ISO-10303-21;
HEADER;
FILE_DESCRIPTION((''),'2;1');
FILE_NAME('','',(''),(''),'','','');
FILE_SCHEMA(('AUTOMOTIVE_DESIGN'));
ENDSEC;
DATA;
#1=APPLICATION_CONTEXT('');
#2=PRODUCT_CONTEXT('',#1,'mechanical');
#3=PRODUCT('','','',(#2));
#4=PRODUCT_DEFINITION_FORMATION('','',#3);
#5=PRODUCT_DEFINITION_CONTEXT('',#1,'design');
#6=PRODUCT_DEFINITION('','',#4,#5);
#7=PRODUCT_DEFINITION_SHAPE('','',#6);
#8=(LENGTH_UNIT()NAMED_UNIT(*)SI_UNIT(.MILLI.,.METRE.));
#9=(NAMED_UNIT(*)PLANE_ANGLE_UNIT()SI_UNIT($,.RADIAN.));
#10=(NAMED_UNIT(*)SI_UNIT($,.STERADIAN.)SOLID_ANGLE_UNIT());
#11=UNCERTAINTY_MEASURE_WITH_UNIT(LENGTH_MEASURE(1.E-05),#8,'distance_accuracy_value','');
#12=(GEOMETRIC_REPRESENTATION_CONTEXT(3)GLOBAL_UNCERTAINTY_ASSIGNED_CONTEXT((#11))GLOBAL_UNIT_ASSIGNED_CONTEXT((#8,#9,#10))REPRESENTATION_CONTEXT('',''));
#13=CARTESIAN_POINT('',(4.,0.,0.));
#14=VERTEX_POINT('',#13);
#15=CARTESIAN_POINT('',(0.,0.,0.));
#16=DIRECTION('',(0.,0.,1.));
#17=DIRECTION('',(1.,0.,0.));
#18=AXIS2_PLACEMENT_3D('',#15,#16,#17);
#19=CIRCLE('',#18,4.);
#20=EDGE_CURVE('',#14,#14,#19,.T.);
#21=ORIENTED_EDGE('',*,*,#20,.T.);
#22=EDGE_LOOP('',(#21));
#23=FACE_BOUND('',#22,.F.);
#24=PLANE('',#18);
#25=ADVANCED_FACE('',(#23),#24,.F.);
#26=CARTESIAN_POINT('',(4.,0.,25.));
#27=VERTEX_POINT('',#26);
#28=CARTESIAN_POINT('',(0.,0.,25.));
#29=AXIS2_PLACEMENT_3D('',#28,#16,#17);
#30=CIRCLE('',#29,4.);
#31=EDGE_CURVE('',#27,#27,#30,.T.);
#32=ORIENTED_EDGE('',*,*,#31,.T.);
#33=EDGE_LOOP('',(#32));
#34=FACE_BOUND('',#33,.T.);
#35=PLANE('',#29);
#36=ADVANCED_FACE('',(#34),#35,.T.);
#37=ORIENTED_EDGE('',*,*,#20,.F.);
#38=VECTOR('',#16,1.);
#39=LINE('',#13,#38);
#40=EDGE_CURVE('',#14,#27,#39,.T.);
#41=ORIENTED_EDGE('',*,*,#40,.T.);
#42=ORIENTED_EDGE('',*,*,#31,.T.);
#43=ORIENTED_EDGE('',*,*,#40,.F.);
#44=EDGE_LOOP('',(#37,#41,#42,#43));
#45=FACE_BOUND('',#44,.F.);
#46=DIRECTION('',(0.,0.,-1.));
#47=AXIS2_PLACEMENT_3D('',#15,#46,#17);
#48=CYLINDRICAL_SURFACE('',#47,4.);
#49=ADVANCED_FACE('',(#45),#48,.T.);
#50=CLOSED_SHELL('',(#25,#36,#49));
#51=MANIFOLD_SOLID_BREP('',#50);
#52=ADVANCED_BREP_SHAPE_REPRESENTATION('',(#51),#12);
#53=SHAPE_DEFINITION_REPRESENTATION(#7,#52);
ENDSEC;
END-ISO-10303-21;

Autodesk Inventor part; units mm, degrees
ref_plane "YZ Plane" through (0, 0, 0) normal (1, 0, 0) x (0, 1, 0)
ref_plane "XZ Plane" through (0, 0, 0) normal (0, 1, 0) x (-1, 0, 0)
ref_plane "XY Plane" through (0, 0, 0) normal (0, 0, 1) x (1, 0, 0)
sketch "Sketch1" plane through (0, 0, 0) normal (0, 0, 1) x (1, 0, 0)
  circle A0 centre (0, 0) radius 4
  dimension "d0" = 8
extrude "Extrusion1" add sketch "Sketch1" along normal blind 25
properties part number "fixture_rod"
